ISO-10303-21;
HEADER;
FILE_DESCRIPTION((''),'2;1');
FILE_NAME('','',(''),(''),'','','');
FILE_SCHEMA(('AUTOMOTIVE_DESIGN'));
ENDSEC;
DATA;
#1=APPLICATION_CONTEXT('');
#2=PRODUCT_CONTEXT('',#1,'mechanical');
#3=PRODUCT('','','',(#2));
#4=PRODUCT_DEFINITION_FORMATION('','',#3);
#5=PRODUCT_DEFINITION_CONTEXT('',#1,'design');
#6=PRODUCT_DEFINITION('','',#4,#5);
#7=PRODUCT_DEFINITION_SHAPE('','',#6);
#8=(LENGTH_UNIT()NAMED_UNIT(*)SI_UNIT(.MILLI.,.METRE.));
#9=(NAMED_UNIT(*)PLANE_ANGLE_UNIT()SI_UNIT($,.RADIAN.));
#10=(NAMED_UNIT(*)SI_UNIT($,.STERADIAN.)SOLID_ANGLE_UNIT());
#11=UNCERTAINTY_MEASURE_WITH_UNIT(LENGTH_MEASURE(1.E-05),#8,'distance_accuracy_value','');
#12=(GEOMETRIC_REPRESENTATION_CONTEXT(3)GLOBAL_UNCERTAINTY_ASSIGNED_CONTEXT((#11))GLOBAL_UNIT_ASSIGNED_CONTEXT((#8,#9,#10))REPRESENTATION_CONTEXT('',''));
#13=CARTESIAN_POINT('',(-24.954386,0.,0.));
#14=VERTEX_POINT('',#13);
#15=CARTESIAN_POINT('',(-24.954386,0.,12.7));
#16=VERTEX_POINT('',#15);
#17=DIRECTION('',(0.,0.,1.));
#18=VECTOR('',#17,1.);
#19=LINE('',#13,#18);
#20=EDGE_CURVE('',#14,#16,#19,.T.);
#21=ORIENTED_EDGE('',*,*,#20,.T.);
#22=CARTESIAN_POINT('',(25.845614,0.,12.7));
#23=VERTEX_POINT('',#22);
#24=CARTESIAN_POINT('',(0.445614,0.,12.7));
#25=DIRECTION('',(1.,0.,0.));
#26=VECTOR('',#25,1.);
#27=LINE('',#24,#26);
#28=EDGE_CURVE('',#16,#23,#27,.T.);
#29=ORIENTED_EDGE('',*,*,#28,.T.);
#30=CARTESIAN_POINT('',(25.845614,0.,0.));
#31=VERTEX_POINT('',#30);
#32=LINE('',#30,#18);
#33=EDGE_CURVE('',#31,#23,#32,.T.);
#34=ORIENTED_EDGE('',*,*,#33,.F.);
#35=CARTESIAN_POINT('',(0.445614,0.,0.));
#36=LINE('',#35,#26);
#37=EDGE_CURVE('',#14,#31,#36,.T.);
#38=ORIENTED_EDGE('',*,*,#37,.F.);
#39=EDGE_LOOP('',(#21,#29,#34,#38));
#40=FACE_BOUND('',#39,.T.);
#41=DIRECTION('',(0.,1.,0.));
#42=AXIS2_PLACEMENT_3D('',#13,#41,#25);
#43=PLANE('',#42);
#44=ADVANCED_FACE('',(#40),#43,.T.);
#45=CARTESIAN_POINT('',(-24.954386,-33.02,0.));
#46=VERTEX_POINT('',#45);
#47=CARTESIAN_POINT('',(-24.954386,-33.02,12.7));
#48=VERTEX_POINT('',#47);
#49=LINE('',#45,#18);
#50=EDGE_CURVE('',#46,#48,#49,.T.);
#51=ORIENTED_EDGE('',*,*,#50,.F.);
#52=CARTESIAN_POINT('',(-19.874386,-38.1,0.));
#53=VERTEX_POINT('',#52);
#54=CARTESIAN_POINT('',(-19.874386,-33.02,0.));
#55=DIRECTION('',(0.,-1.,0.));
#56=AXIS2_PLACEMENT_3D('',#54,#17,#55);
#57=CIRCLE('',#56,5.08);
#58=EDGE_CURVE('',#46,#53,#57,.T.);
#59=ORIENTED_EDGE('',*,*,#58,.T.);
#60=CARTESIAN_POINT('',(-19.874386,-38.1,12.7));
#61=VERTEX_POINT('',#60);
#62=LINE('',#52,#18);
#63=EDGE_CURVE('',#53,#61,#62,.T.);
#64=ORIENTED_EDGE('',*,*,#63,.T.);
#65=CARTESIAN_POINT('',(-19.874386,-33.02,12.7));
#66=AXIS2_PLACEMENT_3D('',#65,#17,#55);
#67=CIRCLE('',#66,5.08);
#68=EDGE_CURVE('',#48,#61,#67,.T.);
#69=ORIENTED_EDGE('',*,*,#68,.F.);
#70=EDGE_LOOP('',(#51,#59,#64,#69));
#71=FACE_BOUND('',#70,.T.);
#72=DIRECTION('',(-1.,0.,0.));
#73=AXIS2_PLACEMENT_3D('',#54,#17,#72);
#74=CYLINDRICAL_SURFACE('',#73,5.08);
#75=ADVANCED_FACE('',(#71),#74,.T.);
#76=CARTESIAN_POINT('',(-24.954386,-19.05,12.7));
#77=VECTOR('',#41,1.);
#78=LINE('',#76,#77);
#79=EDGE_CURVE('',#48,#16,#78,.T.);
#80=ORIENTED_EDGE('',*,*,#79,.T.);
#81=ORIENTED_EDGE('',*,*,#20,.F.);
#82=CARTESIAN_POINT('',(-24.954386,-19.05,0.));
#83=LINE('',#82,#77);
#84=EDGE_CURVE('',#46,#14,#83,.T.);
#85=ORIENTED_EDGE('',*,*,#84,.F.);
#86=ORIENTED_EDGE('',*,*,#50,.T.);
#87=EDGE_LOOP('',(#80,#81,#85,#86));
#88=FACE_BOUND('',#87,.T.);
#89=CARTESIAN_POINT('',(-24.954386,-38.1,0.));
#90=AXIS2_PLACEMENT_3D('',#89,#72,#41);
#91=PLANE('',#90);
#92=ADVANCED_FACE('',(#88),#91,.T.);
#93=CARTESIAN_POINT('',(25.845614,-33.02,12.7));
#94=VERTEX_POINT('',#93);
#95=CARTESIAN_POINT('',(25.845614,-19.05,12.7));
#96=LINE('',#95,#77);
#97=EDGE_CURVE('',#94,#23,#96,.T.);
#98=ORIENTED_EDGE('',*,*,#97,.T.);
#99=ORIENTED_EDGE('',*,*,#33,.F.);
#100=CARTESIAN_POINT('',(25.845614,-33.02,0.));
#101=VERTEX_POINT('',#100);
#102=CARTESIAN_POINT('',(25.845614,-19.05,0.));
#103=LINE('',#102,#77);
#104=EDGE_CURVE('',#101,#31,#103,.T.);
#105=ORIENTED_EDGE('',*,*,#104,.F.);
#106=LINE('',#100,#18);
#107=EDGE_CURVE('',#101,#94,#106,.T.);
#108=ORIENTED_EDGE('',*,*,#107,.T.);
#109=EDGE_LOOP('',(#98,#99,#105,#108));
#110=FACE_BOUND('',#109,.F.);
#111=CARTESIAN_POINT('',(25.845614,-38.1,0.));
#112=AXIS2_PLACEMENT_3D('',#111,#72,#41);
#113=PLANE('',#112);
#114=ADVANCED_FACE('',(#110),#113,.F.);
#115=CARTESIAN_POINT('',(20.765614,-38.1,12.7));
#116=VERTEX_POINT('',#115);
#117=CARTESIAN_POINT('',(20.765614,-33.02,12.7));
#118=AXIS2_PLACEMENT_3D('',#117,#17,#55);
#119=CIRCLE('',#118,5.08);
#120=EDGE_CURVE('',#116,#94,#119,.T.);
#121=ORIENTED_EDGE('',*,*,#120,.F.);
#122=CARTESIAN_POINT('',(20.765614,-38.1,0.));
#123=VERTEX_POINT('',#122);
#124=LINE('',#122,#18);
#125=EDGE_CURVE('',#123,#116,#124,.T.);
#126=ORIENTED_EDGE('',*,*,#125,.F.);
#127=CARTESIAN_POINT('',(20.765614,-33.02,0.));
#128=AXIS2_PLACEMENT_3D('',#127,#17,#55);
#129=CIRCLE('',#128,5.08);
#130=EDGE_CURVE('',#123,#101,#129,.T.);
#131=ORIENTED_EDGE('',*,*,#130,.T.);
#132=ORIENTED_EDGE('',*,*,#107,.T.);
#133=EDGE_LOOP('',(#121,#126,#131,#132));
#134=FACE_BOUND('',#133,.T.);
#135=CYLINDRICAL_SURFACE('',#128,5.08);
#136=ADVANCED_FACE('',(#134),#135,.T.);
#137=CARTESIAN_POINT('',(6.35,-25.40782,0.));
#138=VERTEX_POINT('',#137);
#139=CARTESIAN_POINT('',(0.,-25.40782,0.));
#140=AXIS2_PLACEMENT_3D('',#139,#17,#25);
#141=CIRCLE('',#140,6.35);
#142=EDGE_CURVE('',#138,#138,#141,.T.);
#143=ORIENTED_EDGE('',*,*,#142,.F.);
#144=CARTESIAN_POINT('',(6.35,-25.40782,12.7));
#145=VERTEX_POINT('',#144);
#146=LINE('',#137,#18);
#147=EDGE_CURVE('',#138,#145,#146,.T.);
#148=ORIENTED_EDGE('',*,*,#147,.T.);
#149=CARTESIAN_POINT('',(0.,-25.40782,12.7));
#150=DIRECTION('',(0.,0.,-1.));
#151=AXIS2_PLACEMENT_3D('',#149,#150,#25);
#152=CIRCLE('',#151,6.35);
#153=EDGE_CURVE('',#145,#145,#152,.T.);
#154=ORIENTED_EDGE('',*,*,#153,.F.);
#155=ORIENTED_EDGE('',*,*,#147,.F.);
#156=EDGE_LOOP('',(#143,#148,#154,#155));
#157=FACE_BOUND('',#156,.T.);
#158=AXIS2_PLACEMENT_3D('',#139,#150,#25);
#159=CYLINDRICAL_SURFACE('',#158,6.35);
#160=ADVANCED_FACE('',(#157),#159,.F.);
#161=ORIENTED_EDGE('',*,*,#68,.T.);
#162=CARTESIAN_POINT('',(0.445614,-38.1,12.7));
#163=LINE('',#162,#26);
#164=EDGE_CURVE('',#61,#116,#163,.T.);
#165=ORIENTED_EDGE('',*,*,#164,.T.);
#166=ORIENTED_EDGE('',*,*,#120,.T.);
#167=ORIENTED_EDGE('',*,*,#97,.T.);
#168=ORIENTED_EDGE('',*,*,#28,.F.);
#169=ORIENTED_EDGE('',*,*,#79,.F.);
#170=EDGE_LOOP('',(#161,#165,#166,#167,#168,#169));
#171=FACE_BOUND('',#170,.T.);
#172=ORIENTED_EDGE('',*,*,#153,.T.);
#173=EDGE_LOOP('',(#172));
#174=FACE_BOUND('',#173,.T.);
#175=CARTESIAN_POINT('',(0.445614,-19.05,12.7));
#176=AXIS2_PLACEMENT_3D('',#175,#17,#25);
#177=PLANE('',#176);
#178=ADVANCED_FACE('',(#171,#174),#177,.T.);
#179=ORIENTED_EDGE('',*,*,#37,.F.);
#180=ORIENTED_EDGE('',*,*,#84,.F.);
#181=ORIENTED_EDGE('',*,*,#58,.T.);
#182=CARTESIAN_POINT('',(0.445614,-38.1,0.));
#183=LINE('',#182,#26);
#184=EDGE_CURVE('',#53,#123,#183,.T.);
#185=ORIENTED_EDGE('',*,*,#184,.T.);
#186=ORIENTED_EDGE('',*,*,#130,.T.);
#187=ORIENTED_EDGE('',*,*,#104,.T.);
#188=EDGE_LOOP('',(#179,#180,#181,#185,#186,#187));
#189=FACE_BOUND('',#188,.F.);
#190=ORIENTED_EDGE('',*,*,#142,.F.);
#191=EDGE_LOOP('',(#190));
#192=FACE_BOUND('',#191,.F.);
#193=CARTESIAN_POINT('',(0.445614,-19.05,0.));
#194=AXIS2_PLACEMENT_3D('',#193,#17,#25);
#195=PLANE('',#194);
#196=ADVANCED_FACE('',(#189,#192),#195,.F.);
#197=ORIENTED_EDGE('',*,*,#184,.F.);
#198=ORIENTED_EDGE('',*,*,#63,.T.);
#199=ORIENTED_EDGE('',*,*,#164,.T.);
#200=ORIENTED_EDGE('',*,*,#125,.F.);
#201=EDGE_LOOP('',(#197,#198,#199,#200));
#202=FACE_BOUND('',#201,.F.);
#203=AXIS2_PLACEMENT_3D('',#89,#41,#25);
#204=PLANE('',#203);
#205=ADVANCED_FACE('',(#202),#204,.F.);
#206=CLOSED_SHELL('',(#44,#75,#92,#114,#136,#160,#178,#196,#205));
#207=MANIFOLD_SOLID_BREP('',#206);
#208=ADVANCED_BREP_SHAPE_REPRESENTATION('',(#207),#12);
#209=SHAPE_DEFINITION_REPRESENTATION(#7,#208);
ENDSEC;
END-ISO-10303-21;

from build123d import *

# Parameters (mm, degrees)
F0_W     = 50.8
F0_H     = 38.1
F1_DEPTH = 12.7
F2_R     = 5.08
F3_R     = 6.35
F4_DEPTH = 12.701


with BuildPart() as f1:
    # F0 (on Top) → F1 (new body)
    with BuildSketch(Plane.XY):
        with Locations((0.445614, -19.05)):
            Rectangle(F0_W, F0_H)
    extrude(amount=F1_DEPTH)

    # F2
    f2_edges = [f1.edges().sort_by_distance(p)[0] for p in [
        (-24.954386, -38.1, 6.35),
        (25.845614, -38.1, 6.35),
    ]]
    fillet(f2_edges, radius=F2_R)

    # F3 (on Top) → F4 (cut, through all)
    with BuildSketch(Plane.XY):
        with Locations((0, -25.40782)):
            Circle(F3_R)
    extrude(amount=F4_DEPTH, mode=Mode.SUBTRACT)


solid = f1.part
